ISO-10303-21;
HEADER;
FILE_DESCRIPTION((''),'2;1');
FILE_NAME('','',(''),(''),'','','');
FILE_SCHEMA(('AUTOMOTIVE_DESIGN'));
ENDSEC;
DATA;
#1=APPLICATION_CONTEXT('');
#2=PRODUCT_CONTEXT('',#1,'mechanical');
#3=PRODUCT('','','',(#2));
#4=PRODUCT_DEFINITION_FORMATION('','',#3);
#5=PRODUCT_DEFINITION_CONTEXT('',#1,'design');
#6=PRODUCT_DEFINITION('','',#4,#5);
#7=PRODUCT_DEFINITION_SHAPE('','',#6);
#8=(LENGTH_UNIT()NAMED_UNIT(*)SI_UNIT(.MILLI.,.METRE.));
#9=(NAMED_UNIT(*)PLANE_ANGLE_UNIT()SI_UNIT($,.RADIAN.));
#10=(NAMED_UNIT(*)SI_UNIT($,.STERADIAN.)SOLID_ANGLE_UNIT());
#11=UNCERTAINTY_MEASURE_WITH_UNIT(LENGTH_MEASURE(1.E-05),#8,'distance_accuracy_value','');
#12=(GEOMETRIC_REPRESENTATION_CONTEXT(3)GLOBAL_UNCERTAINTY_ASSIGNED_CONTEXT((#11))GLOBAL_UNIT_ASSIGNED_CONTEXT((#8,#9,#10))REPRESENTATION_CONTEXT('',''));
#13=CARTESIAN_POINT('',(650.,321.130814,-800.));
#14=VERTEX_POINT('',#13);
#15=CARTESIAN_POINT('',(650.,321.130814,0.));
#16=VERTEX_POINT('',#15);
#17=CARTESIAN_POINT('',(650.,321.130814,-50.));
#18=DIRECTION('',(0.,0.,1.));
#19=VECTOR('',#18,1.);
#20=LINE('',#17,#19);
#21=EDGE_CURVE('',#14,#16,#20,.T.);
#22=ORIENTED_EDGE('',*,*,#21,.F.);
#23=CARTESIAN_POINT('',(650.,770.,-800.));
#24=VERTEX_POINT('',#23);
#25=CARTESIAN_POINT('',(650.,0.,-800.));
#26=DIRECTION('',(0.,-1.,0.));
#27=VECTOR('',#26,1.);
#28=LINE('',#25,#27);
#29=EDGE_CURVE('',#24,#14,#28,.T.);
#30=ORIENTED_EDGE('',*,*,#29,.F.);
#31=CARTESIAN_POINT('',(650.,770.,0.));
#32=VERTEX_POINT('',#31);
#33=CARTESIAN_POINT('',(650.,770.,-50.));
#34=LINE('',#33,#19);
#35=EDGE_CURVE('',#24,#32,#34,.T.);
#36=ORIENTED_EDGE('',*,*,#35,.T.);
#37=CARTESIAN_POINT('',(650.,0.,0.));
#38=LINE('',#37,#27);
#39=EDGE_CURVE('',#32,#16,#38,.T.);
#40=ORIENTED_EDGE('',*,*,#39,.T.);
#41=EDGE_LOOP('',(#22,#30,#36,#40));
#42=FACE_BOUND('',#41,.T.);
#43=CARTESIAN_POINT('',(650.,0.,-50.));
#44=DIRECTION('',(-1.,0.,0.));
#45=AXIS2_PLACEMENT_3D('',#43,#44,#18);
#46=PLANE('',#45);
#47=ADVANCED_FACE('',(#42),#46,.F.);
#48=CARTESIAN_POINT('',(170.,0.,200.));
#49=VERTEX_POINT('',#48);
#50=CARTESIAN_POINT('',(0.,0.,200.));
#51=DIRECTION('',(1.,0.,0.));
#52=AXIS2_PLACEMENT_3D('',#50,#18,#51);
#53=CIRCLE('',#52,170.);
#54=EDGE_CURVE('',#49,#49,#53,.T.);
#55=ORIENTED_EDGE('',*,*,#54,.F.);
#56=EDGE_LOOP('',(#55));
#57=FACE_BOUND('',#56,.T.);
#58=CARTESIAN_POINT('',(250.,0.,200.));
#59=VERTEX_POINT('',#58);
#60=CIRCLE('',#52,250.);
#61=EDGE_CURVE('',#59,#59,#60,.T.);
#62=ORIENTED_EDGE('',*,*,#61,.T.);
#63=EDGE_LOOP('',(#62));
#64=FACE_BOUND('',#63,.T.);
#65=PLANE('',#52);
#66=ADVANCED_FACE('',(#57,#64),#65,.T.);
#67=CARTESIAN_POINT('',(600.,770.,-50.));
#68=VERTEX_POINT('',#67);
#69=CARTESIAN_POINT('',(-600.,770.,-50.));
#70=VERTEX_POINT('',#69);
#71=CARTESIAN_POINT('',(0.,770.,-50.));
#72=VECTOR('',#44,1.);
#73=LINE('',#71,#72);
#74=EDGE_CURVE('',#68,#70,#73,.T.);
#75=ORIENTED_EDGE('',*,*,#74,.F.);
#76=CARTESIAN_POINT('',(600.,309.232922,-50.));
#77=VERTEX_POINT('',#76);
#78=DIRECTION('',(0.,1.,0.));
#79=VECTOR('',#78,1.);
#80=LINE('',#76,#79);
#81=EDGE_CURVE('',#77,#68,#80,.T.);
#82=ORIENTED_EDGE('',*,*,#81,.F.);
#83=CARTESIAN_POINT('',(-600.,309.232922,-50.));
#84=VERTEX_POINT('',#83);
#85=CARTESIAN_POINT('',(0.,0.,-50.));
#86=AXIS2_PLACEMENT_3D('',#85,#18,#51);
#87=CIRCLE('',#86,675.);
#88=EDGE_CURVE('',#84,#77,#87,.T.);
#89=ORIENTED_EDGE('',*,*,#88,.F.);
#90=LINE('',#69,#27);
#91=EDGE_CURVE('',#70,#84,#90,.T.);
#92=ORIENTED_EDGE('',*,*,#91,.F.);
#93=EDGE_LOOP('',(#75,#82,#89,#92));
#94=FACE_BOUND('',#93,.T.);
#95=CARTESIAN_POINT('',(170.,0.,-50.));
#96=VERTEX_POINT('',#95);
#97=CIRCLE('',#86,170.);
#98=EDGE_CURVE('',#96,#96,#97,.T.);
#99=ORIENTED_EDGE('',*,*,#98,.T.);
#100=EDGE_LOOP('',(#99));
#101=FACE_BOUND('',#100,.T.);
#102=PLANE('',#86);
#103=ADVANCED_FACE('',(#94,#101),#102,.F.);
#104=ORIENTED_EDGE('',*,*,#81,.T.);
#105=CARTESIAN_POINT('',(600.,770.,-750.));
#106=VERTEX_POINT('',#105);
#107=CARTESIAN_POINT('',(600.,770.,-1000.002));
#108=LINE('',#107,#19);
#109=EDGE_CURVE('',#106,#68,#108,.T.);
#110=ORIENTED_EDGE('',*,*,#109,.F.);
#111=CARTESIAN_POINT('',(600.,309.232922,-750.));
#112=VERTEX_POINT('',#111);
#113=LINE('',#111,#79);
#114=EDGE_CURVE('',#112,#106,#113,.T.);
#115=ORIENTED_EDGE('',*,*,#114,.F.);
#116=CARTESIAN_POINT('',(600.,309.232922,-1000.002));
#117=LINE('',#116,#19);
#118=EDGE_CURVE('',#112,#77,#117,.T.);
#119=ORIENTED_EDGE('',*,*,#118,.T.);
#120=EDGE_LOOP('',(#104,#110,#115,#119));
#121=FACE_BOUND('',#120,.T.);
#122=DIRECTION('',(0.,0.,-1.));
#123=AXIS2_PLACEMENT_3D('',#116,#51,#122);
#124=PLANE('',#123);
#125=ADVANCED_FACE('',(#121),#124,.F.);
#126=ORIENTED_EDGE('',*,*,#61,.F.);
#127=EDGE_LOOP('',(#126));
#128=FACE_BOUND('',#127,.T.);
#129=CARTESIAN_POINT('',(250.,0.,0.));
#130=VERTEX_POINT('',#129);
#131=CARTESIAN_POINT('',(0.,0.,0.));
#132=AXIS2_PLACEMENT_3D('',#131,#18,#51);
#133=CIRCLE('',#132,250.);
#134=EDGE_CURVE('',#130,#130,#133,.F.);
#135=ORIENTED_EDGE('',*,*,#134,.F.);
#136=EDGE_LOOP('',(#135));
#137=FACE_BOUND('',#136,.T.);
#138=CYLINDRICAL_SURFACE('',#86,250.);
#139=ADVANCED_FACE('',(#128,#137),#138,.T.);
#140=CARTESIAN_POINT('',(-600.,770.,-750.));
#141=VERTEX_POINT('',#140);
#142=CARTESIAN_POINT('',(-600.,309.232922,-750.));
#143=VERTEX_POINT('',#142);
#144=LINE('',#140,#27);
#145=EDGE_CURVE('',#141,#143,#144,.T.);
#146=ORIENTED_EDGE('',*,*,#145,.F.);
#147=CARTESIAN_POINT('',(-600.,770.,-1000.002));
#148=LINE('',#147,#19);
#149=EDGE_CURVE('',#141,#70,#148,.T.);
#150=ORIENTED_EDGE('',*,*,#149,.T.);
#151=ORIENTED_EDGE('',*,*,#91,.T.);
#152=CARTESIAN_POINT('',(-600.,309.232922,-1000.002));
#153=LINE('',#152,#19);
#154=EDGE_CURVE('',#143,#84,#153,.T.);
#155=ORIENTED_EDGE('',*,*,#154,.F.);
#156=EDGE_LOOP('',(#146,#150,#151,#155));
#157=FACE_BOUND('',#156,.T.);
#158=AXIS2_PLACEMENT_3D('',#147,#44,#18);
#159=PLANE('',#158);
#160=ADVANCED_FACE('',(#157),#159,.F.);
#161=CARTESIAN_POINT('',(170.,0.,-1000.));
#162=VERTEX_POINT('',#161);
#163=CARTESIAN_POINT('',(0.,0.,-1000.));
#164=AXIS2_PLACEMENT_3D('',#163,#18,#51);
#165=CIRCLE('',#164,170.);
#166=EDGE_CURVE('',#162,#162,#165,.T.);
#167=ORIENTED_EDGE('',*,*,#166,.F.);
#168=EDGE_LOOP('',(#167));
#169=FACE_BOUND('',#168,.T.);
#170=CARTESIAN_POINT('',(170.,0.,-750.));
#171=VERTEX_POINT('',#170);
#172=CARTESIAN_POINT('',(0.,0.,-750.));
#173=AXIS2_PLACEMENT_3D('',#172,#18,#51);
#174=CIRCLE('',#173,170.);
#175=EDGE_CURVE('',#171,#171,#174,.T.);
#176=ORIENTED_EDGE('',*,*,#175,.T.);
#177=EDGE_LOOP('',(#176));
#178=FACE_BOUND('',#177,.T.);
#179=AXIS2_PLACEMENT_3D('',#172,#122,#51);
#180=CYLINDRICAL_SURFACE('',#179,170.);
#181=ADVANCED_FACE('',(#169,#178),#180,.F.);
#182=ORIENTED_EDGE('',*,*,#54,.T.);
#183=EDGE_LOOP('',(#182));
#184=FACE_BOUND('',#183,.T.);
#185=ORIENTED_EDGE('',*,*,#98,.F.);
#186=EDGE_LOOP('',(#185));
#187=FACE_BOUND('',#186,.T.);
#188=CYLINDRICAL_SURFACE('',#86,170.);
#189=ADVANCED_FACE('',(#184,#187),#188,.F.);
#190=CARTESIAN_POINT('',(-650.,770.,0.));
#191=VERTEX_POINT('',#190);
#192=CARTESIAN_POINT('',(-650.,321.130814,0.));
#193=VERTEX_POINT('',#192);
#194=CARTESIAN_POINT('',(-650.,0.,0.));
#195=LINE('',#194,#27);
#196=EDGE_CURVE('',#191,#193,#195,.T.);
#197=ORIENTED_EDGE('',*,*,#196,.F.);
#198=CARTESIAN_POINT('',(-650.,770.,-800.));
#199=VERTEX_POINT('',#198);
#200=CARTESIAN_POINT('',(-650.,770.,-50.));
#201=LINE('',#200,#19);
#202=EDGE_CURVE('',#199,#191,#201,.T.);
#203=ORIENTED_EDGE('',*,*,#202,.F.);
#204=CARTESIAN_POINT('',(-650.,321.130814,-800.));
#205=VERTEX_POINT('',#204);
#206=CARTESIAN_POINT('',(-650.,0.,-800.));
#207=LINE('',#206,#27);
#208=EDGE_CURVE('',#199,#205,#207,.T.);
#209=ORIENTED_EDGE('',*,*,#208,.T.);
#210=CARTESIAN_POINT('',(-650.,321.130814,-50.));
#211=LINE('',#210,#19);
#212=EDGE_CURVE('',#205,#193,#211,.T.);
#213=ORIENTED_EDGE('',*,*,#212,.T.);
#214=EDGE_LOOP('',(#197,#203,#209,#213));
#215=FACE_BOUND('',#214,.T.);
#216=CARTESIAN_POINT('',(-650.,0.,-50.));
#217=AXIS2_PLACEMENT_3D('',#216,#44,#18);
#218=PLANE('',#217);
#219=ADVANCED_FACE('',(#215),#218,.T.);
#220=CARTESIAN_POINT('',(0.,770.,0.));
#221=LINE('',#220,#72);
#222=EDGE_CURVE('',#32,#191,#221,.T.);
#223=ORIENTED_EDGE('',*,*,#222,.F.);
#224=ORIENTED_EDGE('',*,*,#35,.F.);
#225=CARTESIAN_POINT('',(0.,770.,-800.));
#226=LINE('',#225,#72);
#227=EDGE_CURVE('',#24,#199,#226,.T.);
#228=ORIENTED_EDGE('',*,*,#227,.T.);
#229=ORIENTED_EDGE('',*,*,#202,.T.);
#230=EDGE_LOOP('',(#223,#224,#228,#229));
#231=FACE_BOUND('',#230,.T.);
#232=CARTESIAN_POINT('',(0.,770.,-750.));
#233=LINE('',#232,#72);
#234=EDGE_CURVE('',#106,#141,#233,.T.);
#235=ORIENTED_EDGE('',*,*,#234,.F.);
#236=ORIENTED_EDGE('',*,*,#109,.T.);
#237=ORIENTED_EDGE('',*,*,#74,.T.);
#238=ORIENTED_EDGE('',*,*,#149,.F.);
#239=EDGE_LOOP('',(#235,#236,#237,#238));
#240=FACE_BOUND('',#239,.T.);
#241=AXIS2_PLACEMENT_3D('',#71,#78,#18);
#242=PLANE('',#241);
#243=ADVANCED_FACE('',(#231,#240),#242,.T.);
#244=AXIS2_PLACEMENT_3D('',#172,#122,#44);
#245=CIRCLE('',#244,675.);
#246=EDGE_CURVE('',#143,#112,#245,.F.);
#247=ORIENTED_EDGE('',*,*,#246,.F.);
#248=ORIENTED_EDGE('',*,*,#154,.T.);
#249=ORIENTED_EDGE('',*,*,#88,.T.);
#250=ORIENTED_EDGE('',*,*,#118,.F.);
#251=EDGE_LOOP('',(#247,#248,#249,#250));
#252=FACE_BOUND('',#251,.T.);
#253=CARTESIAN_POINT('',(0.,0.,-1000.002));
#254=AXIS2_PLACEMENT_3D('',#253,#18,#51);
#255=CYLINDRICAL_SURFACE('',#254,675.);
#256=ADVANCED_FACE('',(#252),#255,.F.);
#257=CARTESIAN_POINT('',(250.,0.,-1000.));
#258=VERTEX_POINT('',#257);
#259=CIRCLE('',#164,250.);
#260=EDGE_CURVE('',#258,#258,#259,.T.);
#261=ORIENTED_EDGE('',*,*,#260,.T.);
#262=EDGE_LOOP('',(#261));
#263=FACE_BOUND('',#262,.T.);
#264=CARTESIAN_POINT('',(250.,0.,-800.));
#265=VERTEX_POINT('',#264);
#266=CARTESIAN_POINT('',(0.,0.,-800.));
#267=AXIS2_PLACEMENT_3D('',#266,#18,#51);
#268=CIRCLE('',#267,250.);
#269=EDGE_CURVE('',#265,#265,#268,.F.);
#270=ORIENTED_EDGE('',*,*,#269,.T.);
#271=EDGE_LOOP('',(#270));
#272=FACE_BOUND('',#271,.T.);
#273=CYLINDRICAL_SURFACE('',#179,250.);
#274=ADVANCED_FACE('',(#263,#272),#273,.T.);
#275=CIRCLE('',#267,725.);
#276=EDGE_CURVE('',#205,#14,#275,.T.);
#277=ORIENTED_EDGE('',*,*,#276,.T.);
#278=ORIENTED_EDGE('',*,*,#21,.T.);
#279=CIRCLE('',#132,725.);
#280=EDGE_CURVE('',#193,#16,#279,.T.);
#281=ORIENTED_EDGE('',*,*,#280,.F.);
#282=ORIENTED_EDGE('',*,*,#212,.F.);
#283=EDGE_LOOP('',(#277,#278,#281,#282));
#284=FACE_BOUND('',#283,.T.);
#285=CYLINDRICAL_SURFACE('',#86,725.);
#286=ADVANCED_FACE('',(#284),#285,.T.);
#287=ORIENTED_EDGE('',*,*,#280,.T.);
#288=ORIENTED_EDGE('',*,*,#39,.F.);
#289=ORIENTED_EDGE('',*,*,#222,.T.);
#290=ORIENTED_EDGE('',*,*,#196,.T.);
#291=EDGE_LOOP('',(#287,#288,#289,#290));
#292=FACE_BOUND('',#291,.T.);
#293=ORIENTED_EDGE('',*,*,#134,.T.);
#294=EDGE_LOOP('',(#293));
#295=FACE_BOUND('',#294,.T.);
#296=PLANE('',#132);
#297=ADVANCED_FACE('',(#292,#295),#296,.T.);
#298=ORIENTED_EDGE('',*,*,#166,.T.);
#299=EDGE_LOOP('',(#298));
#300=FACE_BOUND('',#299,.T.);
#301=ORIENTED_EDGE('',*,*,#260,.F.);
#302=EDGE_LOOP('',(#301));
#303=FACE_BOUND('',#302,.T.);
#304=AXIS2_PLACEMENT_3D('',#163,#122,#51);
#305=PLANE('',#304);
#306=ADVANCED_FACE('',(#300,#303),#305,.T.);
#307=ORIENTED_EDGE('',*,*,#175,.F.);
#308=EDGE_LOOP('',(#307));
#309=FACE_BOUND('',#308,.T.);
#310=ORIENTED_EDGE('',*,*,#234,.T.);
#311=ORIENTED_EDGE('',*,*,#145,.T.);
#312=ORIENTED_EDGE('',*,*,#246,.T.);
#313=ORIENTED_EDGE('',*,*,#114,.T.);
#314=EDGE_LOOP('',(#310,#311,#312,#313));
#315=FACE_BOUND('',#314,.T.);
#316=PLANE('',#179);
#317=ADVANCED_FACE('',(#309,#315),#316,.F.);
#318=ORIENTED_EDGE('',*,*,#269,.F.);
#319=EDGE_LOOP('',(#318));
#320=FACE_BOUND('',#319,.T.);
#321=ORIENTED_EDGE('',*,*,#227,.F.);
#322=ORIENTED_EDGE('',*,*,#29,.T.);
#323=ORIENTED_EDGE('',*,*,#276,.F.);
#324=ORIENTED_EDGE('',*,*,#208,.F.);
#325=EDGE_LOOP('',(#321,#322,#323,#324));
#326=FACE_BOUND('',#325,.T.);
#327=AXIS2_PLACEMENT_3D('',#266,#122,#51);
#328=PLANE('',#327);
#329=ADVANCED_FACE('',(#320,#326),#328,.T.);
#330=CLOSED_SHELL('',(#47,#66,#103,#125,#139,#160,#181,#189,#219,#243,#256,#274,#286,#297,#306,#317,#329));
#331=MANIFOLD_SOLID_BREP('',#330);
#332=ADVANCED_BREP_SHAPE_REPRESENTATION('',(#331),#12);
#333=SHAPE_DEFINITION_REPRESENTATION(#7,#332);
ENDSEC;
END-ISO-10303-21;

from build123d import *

# Parameters (mm, degrees)
SKETCH1_R                = 250
SKETCH1_R_2              = 170
BOSS_EXTRUDE1_DEPTH      = 200
BOSS_EXTRUDE1_DEPTH_BACK = 50
SKETCH2_R                = 250
BOSS_EXTRUDE3_DEPTH      = 50
BOSS_EXTRUDE4_START      = -350
BOSS_EXTRUDE4_DEPTH      = 700


with BuildPart() as part:
    # Sketch1 → Boss-Extrude1 (new body, two sides)
    with BuildSketch(Plane.XY) as boss_extrude1_sk:
        Circle(SKETCH1_R)
        Circle(SKETCH1_R_2, mode=Mode.SUBTRACT)
    extrude(amount=BOSS_EXTRUDE1_DEPTH)
    extrude(boss_extrude1_sk.sketch, amount=-BOSS_EXTRUDE1_DEPTH_BACK)

    # Sketch2 → Boss-Extrude3 (add)
    with BuildSketch(Plane.XY):
        with BuildLine():
            Line((-650, 770), (-650, 321.130814467))
            ThreePointArc((-650, 321.130814467), (0, -725), (650, 321.130814467))
            Line((650, 321.130814467), (650, 770))
            Line((650, 770), (-650, 770))
        make_face()
        Circle(SKETCH2_R, mode=Mode.SUBTRACT)
    extrude(amount=-BOSS_EXTRUDE3_DEPTH)


with BuildPart() as body_2:
    # Mirror9: mirrored copy
    add(part.part.mirror(Plane.XY.offset(-400)))


with BuildPart() as part_1:
    add(part.part)

    add(body_2.part)  # Boss-Extrude4 merges body 2
    # Sketch4 → Boss-Extrude4 (add)
    with BuildSketch(Plane.XY.offset(-400).offset(BOSS_EXTRUDE4_START)):
        with BuildLine():
            Line((-600, 770), (-600, 309.232921921))
            ThreePointArc((-600, 309.232921921), (0, -675), (600, 309.232921921))
            Line((600, 309.232921921), (600, 770))
            Line((600, 770), (650, 770))
            Line((650, 770), (650, 321.130814467))
            ThreePointArc((650, 321.130814467), (0, -725), (-650, 321.130814467))
            Line((-650, 321.130814467), (-650, 770))
            Line((-650, 770), (-600, 770))
        make_face()
    extrude(amount=BOSS_EXTRUDE4_DEPTH)


solid = part_1.part
